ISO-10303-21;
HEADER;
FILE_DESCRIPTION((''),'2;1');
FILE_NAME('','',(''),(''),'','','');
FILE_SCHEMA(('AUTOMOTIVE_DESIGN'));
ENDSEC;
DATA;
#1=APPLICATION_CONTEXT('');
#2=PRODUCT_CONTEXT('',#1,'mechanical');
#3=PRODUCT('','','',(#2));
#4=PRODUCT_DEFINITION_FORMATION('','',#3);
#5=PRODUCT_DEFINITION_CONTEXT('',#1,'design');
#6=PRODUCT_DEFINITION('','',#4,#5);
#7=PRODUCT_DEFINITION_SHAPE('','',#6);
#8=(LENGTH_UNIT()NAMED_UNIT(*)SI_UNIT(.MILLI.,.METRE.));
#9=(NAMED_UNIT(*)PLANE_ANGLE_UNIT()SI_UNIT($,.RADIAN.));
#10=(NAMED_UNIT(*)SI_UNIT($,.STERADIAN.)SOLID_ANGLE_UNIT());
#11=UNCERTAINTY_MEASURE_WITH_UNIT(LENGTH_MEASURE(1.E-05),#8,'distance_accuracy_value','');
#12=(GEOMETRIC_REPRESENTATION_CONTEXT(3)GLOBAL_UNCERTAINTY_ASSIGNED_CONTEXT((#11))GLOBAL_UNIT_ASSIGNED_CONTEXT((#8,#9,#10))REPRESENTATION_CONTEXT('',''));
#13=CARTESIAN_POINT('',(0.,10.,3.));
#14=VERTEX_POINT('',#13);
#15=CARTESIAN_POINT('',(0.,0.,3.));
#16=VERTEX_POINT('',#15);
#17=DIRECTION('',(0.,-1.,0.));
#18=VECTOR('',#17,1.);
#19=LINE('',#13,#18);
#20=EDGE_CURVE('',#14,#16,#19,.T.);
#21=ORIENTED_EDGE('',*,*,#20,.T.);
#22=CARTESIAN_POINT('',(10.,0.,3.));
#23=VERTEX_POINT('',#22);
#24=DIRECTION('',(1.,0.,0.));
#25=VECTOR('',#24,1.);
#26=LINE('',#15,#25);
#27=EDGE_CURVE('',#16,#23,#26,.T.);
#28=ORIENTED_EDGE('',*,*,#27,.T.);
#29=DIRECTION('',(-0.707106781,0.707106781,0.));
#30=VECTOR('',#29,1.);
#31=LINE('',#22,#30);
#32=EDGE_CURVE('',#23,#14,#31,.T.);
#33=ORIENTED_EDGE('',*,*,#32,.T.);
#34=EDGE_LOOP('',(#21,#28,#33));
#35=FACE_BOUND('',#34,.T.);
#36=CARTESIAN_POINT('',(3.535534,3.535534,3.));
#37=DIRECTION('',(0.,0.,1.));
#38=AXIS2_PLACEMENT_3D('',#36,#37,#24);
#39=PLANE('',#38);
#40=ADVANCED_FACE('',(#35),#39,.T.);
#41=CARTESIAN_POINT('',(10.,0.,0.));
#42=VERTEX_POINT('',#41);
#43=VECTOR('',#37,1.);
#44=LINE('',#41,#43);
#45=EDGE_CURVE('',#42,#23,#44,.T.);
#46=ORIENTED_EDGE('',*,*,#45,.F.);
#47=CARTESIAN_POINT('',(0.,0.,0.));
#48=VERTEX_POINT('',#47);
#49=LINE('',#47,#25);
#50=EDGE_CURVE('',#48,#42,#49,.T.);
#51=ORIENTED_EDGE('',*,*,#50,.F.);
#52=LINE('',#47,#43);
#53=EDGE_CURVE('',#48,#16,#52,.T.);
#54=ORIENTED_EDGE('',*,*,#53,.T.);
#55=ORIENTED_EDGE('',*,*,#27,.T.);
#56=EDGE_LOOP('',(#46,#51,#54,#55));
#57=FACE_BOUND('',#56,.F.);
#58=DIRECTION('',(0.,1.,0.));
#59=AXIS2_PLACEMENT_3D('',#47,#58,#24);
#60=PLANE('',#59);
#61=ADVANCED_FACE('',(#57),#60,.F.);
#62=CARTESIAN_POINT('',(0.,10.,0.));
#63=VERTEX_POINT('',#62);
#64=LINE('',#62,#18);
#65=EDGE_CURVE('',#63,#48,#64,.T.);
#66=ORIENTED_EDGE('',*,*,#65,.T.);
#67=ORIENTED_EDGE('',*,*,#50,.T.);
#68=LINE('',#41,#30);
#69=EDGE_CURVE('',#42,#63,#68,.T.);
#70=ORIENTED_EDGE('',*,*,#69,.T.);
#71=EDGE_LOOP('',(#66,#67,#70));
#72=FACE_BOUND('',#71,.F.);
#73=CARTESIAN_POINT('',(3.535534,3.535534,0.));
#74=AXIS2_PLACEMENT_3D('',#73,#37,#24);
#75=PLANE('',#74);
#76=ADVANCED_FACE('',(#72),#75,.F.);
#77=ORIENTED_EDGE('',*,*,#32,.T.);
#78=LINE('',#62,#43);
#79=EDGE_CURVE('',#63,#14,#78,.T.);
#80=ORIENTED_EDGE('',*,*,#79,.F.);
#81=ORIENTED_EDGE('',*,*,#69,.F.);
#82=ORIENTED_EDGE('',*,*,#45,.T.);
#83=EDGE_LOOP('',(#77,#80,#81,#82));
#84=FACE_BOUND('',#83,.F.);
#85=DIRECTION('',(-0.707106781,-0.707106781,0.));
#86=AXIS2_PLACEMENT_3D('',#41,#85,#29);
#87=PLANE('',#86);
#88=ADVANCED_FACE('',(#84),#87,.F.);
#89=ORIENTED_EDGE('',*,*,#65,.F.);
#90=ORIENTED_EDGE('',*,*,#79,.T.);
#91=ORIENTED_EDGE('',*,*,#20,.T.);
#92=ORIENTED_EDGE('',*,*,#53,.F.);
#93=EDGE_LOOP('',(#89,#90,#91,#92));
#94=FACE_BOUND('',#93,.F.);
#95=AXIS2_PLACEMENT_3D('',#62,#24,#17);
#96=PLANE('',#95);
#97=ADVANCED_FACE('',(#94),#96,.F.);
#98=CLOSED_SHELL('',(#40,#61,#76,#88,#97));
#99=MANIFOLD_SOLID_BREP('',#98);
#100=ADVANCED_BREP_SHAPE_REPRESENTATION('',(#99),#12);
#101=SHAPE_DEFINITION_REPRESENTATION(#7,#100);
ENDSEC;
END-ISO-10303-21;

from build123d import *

# Parameters (mm, degrees)
PAD_DEPTH = 3


with BuildPart() as part:
    # Sketch → Pad (new body)
    with BuildSketch(Plane.XY):
        Polygon((0, 0), (10, 0), (0, 10), align=None)
    extrude(amount=PAD_DEPTH)


solid = part.part
